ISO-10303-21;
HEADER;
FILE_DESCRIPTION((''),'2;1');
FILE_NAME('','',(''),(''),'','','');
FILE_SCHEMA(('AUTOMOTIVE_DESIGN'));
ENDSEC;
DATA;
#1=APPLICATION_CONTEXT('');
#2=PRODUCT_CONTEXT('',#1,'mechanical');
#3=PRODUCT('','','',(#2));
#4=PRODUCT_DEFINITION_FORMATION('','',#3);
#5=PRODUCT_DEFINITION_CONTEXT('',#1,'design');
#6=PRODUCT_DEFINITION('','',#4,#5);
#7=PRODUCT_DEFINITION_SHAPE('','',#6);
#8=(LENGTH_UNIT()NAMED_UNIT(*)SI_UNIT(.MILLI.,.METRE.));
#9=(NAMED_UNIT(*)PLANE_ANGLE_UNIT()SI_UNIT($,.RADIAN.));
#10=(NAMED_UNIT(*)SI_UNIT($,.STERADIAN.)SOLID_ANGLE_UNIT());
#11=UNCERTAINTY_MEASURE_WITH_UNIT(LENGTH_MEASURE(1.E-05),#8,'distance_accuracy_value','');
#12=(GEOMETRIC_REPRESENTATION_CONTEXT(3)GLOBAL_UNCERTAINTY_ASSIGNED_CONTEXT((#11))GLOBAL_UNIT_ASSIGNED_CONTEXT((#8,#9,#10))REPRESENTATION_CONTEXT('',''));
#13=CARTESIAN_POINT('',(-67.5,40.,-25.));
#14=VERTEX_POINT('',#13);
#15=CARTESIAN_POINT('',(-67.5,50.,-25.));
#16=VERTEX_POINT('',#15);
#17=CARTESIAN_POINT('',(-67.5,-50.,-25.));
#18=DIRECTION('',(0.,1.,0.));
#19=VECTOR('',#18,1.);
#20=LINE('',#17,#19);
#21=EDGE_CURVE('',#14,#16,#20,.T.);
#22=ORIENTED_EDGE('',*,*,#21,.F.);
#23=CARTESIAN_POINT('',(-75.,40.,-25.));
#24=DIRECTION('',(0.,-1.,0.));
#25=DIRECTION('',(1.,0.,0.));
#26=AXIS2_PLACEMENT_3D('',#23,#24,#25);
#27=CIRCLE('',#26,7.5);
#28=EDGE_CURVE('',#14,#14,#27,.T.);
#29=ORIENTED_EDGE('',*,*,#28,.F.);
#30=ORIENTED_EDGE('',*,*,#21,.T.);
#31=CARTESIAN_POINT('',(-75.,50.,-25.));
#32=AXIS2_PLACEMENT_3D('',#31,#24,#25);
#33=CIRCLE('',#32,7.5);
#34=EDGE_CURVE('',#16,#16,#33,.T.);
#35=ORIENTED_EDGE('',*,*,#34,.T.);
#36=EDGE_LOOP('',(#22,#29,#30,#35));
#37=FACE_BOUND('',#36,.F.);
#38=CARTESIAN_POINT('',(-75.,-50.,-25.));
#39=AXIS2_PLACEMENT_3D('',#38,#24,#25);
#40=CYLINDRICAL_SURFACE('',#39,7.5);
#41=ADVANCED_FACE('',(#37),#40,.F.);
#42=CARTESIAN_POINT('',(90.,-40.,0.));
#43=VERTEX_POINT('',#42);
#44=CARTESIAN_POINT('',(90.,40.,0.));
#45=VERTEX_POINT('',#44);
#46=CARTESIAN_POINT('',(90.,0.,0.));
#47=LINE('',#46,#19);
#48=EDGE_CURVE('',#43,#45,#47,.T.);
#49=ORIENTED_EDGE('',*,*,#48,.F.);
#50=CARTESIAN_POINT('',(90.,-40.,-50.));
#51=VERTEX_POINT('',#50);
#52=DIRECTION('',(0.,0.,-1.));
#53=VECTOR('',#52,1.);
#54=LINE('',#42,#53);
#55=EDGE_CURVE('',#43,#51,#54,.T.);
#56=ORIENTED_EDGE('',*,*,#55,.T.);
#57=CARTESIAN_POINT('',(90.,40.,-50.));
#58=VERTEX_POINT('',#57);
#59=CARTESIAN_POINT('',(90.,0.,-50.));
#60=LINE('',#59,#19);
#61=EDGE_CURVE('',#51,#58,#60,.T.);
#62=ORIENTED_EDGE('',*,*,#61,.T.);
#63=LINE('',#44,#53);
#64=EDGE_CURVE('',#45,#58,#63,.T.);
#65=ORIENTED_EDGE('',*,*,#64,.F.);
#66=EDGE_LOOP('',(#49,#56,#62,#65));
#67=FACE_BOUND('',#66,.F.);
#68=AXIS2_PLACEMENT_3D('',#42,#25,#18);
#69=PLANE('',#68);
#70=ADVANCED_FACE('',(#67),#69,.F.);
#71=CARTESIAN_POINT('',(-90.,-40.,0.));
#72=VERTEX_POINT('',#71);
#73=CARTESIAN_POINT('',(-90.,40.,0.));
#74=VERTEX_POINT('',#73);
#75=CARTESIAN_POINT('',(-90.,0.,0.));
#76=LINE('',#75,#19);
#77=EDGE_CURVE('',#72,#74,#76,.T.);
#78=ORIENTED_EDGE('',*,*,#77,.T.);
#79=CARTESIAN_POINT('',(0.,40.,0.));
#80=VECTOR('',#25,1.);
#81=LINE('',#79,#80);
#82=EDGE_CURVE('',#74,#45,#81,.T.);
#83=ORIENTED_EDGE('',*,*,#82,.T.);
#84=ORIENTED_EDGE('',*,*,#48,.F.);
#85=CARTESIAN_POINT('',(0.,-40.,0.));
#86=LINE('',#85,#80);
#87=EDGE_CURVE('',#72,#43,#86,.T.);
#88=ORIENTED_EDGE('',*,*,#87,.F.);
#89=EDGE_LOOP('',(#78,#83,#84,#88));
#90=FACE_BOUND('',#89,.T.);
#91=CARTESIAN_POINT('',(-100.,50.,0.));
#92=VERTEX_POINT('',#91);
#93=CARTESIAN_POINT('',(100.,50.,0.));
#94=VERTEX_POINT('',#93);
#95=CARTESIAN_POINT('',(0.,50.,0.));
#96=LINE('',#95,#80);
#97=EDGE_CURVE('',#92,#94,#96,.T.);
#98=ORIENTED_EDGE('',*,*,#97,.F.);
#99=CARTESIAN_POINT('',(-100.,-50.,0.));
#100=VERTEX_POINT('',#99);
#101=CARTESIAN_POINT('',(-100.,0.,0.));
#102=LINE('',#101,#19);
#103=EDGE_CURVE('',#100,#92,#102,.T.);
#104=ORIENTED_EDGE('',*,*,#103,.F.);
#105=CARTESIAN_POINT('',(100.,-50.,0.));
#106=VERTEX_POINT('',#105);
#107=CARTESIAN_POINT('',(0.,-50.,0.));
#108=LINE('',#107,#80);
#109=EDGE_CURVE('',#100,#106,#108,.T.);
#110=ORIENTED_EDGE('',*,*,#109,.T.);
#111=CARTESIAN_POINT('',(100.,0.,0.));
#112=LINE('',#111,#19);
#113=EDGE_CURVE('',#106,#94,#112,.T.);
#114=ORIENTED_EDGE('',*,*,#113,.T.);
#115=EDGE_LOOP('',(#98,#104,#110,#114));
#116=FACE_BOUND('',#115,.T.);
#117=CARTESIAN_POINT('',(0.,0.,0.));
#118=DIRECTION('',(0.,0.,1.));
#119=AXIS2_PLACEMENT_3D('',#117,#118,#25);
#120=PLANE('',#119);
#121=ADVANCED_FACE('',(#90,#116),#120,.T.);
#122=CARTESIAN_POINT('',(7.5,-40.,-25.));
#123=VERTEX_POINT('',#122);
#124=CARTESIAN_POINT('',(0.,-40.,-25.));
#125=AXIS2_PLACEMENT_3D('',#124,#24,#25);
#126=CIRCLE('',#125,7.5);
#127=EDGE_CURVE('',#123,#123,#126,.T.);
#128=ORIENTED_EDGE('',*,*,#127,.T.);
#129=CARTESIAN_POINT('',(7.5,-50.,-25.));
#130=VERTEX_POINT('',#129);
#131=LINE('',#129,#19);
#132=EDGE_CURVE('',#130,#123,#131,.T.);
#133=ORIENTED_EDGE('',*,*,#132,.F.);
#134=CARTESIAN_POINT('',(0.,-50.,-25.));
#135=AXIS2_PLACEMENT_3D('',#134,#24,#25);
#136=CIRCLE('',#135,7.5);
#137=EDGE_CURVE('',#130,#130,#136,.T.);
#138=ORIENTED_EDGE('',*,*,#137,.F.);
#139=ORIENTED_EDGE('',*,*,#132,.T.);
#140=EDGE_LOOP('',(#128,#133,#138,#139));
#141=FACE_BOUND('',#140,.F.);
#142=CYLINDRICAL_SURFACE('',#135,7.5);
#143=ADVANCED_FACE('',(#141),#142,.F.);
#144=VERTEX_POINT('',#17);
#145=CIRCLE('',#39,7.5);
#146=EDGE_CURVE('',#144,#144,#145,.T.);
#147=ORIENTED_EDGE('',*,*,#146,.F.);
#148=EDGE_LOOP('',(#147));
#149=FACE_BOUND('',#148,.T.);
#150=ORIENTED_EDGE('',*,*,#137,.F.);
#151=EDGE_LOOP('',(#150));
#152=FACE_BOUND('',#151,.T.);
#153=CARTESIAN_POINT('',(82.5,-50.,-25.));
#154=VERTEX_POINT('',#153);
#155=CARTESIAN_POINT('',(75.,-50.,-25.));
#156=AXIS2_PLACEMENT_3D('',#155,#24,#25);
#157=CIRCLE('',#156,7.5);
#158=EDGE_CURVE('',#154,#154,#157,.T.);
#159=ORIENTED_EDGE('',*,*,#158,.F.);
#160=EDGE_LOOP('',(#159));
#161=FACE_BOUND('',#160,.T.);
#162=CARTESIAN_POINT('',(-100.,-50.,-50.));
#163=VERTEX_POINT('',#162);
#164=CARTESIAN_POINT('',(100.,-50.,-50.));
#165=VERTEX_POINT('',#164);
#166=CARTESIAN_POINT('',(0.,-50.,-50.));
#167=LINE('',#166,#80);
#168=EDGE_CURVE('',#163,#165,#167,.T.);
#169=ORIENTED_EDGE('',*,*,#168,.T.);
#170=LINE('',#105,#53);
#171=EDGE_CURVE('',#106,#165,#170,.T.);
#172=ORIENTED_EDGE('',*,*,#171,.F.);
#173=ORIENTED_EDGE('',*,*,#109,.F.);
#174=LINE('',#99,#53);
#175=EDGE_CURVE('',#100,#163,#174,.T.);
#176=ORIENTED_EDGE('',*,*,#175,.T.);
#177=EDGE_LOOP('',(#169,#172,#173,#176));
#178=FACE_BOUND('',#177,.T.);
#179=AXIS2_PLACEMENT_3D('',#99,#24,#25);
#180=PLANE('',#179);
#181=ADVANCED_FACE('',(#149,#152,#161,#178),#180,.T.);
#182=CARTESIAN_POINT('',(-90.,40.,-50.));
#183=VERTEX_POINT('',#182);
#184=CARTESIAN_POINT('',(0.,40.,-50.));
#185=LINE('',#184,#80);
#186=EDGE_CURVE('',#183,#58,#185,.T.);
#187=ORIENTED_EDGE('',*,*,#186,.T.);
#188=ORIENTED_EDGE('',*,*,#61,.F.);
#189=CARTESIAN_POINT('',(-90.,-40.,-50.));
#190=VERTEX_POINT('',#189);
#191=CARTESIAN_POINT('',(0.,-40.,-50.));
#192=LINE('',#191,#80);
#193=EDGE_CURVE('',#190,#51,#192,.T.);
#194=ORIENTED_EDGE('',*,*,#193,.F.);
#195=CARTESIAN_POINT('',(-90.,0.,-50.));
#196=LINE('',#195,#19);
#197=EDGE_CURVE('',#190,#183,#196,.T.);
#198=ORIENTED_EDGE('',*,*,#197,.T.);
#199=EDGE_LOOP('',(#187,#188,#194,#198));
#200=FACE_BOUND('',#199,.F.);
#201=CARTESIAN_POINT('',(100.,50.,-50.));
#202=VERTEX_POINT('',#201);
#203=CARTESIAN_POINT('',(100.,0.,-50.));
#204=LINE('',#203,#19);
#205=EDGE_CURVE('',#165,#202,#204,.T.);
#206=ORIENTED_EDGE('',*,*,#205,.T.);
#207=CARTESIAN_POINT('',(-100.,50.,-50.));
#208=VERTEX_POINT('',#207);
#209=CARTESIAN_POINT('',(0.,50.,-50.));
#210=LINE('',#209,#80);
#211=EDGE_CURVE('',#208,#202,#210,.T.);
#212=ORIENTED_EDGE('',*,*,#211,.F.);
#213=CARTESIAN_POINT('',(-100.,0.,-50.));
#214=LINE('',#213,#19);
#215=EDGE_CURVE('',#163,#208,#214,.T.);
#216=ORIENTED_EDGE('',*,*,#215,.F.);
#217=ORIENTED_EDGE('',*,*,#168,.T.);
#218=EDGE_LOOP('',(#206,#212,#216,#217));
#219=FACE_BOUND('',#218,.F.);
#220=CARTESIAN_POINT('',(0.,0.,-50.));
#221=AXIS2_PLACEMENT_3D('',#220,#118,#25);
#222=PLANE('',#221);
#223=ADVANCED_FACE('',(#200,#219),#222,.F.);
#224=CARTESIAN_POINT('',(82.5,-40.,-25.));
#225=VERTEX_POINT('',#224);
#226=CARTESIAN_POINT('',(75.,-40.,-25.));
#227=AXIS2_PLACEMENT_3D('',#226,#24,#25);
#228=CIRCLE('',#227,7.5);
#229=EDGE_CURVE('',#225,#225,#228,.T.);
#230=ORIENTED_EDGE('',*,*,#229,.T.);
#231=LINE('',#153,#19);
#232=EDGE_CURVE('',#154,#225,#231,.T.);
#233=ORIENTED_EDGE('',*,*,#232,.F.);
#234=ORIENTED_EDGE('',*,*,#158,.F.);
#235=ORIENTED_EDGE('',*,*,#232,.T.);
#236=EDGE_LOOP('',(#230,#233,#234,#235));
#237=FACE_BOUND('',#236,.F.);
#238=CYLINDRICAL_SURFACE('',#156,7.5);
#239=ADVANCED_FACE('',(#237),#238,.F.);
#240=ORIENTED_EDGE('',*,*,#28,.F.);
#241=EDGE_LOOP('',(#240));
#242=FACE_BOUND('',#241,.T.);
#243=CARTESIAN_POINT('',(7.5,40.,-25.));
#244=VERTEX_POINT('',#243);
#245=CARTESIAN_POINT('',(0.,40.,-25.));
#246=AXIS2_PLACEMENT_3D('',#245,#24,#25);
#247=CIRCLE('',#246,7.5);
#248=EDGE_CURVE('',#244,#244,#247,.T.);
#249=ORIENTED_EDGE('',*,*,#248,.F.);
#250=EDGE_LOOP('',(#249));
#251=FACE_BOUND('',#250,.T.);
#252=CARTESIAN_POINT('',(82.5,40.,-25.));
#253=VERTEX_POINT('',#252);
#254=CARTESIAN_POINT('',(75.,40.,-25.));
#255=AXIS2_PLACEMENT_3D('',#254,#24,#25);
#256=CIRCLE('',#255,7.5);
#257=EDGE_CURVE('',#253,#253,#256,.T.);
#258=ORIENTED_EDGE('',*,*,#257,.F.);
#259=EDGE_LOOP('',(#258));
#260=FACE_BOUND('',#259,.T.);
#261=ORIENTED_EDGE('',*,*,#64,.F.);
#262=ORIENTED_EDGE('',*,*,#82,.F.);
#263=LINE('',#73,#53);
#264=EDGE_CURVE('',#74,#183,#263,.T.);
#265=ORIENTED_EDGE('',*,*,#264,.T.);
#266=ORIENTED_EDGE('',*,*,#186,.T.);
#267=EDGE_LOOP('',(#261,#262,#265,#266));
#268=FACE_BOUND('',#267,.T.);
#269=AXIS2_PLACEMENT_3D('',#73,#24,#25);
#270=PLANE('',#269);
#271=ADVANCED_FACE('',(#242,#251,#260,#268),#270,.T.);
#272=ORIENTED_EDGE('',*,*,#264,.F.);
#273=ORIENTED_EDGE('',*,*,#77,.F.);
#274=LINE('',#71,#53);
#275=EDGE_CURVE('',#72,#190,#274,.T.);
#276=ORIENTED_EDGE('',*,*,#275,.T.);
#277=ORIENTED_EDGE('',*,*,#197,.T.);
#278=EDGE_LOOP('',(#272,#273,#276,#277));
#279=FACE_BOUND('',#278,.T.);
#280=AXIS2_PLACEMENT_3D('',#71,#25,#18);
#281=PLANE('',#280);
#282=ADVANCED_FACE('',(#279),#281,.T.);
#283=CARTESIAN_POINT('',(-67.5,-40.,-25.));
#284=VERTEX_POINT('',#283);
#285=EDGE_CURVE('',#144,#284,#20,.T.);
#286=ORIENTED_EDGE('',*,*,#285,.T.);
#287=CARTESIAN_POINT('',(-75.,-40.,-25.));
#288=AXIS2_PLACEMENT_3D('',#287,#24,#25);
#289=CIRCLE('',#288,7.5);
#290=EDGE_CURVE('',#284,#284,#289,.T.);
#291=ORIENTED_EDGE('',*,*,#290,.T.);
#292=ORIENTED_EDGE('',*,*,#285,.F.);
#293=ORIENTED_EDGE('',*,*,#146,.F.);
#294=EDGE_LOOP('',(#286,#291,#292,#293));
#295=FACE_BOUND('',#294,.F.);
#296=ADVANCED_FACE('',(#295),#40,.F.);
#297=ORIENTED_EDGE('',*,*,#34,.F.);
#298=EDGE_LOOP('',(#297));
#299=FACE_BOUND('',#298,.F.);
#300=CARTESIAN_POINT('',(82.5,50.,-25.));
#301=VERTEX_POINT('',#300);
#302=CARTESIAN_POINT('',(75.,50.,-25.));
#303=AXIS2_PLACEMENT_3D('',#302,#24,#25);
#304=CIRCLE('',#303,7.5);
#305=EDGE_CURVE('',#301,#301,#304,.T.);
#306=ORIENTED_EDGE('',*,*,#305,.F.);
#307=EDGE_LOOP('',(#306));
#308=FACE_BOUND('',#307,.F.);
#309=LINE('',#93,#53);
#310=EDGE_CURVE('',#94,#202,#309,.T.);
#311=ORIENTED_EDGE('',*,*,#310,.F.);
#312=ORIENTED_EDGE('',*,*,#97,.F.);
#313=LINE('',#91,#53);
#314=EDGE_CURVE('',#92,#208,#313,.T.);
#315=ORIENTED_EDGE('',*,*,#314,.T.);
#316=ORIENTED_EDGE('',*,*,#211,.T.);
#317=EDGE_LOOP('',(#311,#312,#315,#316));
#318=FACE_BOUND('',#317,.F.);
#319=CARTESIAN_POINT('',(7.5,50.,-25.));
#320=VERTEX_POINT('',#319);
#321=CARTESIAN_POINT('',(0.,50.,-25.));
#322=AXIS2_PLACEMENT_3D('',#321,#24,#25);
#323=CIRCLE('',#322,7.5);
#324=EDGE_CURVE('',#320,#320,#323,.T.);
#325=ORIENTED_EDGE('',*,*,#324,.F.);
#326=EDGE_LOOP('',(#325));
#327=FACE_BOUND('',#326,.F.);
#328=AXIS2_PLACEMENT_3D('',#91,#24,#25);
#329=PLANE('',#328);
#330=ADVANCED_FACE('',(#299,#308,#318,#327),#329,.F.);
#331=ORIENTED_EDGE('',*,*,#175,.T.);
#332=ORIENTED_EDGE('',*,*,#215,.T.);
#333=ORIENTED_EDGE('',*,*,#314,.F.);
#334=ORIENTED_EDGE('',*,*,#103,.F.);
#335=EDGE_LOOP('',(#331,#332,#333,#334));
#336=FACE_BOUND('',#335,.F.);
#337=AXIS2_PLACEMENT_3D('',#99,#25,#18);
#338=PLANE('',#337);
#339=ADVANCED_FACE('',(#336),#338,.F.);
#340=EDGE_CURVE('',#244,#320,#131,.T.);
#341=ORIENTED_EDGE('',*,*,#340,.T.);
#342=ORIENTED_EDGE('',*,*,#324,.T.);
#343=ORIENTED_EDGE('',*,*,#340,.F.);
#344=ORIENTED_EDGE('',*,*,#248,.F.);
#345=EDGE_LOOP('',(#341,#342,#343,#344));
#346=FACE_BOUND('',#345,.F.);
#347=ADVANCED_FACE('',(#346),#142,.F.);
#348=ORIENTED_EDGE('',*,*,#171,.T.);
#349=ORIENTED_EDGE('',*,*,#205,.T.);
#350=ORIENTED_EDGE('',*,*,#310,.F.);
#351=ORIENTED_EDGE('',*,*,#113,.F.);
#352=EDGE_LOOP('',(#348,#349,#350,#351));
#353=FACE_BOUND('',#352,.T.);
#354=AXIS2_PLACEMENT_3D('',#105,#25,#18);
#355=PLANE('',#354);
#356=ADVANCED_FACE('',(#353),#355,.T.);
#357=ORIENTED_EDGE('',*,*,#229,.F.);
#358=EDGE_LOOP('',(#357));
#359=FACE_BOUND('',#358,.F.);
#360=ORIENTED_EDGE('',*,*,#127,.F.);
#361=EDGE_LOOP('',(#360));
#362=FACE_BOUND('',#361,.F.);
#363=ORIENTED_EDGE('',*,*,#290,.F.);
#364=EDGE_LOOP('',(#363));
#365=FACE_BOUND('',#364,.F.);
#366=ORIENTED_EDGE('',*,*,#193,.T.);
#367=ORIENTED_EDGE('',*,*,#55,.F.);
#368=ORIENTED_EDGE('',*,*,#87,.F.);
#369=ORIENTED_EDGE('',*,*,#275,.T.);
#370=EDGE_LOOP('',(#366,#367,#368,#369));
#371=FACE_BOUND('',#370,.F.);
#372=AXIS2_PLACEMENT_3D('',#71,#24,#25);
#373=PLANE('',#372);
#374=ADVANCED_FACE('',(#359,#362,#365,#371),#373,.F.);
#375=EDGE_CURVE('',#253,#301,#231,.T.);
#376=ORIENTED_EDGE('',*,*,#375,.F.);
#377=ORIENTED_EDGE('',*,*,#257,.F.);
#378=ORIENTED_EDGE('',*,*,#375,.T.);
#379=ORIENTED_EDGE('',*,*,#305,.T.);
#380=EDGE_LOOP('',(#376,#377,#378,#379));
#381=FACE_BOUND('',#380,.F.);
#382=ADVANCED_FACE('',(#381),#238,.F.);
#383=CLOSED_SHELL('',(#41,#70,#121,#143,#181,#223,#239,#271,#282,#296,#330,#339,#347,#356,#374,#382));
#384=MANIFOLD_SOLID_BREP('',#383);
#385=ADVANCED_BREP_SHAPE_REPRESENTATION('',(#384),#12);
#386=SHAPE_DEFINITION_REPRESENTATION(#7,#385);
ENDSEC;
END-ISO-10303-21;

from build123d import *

# Parameters (mm, degrees)
F0_W     = 200
F0_H     = 100
F0_W_2   = 180
F0_H_2   = 80
F1_DEPTH = 50
F2_R     = 7.5
F3_DEPTH = 200


with BuildPart() as f1:
    # F0 (on Top) → F1 (new body)
    with BuildSketch(Plane.XY):
        Rectangle(F0_W, F0_H)
        Rectangle(F0_W_2, F0_H_2, mode=Mode.SUBTRACT)
    extrude(amount=-F1_DEPTH)

    # F2 (on face) → F3 (cut)
    with BuildSketch(Plane.XZ.offset(50)):
        with Locations((0, -25)):
            Circle(F2_R)
        with Locations((75, -25)):
            Circle(F2_R)
        with Locations((-75, -25)):
            Circle(F2_R)
    extrude(amount=-F3_DEPTH, mode=Mode.SUBTRACT)


solid = f1.part
